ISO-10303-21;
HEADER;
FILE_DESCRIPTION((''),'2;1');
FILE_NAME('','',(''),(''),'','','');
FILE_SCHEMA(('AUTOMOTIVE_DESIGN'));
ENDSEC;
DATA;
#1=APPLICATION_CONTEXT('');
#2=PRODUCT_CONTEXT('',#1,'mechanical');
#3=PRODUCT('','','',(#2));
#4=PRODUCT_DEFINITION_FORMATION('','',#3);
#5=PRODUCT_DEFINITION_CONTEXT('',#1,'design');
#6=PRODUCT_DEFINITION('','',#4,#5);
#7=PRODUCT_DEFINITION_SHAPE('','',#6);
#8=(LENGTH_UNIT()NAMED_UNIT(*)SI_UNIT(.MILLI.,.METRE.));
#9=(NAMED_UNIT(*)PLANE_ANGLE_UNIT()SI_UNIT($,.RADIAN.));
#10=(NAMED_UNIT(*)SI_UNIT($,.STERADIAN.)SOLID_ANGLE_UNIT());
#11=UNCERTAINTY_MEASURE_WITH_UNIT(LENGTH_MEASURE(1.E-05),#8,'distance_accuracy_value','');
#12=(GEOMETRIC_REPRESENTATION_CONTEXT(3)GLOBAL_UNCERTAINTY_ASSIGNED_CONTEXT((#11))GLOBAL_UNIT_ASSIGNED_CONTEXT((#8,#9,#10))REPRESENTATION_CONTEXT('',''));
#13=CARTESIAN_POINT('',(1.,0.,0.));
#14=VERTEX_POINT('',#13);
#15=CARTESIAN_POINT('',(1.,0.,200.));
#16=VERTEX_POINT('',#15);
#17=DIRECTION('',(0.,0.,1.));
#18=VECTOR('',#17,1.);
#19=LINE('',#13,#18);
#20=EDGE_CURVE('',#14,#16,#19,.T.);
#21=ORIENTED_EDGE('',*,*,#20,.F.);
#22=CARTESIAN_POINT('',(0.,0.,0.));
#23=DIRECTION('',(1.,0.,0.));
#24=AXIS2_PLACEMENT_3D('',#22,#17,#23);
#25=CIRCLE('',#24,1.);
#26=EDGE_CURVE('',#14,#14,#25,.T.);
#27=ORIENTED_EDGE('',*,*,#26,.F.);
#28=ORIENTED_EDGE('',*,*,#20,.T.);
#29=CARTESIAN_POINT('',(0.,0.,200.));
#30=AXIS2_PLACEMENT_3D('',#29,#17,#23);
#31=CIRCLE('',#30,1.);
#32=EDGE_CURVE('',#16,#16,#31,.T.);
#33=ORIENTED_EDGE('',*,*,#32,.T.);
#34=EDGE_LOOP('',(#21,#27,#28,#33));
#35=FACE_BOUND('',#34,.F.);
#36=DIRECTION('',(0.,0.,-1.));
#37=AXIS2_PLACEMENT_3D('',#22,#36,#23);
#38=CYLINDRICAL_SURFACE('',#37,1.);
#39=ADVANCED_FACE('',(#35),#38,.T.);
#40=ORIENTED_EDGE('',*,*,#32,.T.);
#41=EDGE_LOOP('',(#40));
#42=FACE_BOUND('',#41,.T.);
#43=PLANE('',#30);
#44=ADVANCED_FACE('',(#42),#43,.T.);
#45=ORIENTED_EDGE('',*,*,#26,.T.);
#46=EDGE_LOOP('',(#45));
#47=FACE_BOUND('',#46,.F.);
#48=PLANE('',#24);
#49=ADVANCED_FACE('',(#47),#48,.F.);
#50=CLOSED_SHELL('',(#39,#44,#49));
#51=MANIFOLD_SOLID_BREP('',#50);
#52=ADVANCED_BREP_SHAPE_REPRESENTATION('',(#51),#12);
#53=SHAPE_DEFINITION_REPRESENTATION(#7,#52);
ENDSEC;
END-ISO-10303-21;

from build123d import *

# Parameters (mm, degrees)
SKETCH1_R           = 1
BOSS_EXTRUDE1_DEPTH = 200


with BuildPart() as part:
    # Sketch1 → Boss-Extrude1 (new body)
    with BuildSketch(Plane.XY):
        Circle(SKETCH1_R)
    extrude(amount=BOSS_EXTRUDE1_DEPTH)


solid = part.part
